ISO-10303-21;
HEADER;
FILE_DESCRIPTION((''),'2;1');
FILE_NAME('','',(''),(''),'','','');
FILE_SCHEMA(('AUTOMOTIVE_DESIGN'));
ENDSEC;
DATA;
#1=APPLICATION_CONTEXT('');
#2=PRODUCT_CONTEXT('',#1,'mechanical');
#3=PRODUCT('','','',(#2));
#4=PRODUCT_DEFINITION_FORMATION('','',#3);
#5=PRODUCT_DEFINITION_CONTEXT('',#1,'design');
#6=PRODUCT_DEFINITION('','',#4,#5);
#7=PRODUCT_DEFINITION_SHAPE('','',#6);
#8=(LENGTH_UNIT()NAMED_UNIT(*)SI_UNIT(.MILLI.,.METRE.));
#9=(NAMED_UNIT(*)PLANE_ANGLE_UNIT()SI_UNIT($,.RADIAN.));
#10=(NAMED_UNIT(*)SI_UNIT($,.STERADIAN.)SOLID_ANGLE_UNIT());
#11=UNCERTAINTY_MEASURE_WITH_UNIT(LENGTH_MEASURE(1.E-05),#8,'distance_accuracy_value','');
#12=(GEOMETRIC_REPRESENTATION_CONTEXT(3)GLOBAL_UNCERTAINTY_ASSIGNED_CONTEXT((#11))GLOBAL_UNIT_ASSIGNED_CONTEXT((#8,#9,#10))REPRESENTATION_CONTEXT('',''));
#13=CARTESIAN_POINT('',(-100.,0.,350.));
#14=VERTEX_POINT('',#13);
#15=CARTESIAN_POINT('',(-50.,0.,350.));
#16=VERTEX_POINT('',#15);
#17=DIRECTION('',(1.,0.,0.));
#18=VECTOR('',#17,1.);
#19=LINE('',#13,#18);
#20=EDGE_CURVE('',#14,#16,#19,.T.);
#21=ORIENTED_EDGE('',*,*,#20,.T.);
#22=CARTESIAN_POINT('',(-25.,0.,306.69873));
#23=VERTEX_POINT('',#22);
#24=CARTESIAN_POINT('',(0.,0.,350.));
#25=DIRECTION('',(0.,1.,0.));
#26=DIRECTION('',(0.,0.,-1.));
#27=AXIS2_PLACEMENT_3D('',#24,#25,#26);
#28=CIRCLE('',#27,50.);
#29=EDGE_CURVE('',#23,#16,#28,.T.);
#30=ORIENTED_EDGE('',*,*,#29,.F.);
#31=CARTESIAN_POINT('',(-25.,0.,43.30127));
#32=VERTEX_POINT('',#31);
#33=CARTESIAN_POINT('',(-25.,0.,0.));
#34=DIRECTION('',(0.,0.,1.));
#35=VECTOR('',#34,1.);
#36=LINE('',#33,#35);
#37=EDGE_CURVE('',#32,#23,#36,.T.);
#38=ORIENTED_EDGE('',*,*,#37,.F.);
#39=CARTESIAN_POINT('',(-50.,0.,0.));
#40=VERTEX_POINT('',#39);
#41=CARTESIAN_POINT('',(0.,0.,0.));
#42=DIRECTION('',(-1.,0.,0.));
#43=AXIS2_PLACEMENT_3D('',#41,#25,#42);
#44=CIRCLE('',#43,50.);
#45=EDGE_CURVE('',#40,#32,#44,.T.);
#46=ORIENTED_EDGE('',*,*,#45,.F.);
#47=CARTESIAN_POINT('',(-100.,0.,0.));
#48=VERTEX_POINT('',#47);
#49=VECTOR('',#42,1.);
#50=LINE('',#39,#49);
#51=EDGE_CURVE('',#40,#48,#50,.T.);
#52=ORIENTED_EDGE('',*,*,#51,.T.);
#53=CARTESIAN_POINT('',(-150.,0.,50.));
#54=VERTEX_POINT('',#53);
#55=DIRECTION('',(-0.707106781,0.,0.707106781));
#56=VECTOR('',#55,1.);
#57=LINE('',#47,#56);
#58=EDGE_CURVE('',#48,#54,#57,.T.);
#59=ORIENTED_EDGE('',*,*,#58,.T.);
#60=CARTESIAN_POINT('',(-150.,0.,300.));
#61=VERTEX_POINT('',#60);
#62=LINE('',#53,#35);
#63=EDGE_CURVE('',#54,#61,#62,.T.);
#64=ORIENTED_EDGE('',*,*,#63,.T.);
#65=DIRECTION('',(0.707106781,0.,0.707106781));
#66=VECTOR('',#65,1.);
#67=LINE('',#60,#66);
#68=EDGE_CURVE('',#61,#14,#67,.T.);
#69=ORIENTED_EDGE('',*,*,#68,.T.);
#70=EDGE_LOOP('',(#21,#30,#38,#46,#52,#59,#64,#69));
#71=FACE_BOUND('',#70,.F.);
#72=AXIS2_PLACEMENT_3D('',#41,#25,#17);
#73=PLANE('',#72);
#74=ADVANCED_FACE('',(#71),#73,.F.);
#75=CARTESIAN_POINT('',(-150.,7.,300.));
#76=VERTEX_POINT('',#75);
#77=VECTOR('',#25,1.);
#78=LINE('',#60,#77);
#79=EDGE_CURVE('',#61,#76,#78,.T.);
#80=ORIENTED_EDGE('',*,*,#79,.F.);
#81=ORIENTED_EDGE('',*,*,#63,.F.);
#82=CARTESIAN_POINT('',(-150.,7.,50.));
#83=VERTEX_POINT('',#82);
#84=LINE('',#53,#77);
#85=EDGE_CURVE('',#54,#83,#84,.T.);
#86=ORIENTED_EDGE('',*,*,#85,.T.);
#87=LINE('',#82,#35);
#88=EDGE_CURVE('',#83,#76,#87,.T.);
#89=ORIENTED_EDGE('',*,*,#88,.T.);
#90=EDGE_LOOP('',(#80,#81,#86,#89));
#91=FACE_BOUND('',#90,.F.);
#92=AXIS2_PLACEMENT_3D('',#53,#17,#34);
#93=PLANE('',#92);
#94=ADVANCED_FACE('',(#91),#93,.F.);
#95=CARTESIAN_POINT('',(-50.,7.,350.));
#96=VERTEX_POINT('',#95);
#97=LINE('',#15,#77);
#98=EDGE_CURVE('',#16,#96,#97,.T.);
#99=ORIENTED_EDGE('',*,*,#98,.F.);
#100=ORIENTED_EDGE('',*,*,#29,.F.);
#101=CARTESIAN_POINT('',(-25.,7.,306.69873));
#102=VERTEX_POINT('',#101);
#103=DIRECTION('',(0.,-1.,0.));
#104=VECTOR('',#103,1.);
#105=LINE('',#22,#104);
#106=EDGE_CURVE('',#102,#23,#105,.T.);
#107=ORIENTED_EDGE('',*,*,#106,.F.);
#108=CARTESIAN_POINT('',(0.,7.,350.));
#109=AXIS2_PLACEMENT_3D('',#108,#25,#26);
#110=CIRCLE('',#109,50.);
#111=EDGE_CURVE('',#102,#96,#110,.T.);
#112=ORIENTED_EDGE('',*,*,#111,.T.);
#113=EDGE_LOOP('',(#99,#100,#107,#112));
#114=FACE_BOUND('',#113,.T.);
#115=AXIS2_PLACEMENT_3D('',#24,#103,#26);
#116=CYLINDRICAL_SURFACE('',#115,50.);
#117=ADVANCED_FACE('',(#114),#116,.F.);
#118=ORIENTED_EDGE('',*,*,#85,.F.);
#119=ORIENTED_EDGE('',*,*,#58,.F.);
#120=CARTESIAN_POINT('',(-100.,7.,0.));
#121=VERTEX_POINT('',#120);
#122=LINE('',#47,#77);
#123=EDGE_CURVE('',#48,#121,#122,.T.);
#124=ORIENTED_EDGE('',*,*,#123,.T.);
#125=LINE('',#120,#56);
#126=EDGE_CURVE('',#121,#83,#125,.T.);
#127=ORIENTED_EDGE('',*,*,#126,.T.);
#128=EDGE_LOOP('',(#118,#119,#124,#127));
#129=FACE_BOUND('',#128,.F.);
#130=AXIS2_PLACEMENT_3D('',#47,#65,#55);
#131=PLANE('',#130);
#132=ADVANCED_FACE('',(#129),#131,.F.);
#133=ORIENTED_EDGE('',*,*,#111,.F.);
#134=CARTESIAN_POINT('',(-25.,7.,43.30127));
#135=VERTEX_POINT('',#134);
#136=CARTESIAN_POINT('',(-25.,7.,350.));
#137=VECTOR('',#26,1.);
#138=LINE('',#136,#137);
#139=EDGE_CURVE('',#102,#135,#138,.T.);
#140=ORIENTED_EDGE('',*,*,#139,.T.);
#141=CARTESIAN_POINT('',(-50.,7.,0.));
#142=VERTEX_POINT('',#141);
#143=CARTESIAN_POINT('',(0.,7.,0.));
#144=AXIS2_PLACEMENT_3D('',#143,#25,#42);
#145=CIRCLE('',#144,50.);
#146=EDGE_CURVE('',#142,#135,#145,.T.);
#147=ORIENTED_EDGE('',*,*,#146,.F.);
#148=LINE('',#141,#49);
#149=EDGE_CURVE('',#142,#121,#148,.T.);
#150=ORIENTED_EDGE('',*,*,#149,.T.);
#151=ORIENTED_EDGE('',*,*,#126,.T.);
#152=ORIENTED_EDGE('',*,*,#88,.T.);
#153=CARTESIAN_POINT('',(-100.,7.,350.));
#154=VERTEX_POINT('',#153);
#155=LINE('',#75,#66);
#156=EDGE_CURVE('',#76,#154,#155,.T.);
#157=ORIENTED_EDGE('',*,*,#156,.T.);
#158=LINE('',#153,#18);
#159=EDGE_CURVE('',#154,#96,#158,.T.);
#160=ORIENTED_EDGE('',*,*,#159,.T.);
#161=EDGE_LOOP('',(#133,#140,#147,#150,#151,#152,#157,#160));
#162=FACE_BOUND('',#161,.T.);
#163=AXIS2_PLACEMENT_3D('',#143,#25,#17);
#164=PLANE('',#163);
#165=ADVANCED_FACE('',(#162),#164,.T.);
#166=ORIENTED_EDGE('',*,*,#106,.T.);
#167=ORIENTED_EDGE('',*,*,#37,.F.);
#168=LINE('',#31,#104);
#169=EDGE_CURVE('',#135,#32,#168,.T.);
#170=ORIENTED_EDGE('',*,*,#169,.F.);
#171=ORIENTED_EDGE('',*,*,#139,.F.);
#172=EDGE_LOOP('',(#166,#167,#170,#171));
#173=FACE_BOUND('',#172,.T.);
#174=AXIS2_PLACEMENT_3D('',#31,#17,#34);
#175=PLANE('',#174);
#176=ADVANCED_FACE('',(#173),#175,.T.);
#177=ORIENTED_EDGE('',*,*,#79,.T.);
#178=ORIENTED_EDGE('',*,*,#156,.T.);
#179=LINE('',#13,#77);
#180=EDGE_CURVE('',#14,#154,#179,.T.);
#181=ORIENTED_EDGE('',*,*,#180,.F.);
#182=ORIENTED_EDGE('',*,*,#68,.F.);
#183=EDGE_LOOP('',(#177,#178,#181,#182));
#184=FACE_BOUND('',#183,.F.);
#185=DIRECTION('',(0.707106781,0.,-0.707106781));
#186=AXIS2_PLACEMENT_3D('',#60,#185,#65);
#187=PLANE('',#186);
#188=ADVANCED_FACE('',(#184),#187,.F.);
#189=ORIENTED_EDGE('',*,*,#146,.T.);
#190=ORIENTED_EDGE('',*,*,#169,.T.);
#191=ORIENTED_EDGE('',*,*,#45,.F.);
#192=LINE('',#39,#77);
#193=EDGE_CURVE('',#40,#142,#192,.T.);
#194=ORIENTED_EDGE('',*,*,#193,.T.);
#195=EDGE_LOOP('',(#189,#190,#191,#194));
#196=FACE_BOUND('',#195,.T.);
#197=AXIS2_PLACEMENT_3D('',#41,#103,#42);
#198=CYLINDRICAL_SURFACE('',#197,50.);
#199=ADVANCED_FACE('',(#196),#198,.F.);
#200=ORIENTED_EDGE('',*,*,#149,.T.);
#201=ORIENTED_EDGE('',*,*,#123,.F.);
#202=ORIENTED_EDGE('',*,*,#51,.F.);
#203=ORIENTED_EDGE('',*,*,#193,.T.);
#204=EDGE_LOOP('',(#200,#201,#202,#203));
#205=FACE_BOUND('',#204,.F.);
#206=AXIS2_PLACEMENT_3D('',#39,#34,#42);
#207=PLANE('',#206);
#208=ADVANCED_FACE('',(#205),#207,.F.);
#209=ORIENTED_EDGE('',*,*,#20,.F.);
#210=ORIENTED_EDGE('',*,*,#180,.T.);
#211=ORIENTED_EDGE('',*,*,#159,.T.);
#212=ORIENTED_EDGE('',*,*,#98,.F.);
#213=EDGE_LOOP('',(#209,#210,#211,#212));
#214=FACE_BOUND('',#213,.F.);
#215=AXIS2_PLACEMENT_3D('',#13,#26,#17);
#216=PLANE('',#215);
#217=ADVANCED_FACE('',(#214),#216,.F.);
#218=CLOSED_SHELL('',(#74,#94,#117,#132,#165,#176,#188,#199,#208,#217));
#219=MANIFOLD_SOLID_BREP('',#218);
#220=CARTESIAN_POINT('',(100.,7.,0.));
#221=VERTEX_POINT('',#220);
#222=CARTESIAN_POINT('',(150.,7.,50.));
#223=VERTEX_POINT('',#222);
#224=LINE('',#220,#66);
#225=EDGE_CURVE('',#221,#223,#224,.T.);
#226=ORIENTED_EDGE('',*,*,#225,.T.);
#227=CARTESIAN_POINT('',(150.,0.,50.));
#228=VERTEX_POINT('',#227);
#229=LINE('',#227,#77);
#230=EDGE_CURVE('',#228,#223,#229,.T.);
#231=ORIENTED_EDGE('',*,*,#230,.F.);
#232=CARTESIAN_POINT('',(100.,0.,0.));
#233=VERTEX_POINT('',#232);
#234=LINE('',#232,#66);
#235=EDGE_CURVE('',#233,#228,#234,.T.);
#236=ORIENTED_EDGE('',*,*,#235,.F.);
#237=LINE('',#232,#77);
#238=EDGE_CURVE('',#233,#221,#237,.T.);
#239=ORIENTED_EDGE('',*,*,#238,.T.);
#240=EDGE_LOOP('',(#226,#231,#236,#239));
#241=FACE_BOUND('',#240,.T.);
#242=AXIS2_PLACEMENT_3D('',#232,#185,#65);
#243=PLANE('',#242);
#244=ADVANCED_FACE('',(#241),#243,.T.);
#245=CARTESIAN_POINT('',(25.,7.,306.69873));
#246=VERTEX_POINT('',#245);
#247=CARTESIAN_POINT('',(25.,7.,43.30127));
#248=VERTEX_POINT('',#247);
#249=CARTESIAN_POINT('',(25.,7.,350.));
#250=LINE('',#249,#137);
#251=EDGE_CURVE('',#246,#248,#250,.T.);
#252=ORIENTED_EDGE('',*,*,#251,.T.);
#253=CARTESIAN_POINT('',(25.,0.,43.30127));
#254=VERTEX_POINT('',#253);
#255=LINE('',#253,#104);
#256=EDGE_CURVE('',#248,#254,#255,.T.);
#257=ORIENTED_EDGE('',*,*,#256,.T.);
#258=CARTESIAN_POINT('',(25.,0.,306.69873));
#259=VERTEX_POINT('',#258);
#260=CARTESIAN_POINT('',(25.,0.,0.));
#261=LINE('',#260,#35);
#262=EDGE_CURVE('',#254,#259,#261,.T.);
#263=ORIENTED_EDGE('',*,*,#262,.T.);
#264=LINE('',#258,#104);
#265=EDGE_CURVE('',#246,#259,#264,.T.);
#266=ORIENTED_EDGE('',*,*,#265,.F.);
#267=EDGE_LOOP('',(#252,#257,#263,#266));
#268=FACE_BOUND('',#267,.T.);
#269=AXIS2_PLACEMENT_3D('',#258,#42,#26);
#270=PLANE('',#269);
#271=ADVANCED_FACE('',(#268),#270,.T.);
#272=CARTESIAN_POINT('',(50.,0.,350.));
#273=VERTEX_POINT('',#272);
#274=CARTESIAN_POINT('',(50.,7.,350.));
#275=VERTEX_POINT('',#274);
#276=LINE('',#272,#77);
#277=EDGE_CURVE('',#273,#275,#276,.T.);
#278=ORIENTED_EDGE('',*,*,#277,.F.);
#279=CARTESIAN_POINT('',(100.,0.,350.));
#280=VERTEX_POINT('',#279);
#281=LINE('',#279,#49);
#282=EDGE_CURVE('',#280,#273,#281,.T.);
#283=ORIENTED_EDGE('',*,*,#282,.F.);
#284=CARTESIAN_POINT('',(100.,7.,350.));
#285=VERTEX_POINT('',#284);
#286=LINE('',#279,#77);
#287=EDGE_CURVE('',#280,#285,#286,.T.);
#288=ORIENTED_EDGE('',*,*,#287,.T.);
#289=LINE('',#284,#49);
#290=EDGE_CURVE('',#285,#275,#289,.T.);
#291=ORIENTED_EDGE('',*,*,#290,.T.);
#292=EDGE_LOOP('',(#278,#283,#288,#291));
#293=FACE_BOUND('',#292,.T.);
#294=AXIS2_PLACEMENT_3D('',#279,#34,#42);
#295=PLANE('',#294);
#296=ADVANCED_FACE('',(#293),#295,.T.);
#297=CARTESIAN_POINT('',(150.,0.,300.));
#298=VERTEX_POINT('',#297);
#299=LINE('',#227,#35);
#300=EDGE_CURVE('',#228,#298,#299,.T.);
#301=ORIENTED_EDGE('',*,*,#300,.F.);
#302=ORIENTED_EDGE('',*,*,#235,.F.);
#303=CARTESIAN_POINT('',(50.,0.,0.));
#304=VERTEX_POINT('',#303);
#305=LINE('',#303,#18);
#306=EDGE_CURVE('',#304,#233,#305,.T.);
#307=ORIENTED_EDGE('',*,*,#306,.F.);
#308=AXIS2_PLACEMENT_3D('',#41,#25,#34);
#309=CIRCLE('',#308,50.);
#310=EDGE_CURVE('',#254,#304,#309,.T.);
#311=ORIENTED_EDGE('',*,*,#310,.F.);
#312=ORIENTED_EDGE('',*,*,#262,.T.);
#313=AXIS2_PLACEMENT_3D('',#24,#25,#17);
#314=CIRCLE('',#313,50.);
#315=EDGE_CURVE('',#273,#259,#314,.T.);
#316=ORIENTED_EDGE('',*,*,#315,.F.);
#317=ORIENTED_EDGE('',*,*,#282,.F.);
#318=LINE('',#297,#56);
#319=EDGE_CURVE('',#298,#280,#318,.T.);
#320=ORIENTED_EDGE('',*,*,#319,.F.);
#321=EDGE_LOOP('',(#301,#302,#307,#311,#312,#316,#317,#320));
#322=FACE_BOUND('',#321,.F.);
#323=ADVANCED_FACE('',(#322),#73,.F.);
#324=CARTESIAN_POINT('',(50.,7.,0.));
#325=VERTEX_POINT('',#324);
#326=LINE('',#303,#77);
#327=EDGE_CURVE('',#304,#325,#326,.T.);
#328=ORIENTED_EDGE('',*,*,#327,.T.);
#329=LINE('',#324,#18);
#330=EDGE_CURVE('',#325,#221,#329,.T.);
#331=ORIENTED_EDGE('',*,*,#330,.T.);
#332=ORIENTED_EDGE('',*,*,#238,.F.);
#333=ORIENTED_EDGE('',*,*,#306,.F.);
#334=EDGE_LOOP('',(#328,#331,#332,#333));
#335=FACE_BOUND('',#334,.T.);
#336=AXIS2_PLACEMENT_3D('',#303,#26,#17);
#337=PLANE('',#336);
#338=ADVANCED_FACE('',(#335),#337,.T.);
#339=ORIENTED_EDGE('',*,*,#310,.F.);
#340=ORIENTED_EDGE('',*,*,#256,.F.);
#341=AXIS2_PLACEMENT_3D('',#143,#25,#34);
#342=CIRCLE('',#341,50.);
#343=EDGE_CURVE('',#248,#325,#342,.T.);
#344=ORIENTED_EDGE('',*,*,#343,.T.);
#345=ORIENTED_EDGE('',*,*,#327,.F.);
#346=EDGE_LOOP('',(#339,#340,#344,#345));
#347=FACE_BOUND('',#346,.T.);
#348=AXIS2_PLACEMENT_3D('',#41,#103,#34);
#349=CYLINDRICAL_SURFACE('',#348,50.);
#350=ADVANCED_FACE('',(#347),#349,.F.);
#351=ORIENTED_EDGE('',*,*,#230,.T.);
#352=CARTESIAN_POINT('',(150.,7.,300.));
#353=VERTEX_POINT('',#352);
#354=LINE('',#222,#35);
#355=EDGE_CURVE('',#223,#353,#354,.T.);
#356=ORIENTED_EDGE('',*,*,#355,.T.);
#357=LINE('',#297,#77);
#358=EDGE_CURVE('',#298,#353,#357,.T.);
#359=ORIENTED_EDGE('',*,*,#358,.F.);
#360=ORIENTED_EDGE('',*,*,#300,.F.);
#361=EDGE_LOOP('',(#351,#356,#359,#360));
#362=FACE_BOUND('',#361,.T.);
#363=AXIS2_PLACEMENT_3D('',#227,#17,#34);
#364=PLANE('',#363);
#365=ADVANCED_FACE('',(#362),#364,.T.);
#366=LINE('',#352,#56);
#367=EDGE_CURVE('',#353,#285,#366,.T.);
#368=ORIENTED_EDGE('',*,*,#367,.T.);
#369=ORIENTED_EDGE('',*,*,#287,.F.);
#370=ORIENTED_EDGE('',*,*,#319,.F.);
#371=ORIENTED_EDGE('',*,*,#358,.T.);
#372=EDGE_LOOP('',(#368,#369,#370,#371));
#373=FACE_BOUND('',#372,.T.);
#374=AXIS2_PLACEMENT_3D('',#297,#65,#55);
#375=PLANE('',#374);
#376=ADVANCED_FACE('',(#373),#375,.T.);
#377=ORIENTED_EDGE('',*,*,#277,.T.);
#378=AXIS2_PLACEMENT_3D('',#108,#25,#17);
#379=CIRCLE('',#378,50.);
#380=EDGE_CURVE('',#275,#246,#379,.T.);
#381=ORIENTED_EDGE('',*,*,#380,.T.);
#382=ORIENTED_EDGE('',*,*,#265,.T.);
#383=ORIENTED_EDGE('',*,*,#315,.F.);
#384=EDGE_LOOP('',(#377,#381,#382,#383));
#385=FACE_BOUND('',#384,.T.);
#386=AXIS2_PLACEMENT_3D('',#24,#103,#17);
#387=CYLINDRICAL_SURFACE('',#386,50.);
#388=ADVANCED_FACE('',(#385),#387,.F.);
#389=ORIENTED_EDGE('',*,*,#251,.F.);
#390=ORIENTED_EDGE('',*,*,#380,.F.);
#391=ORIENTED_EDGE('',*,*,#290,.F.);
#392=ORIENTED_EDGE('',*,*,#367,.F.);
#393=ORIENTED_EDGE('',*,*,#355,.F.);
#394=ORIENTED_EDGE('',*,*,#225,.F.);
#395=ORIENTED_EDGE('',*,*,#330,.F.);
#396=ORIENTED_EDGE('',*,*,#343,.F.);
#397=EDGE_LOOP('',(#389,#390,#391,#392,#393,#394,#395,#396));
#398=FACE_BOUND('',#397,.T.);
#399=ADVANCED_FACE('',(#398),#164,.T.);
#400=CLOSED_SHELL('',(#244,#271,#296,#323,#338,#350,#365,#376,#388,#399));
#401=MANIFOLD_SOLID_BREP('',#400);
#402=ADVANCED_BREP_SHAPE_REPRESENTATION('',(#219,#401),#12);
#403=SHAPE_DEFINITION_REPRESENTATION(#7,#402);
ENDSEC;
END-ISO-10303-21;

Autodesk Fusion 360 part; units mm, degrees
sketch "Sketch1" plane through (0, 0, 0) normal (0, 1, 0) x (1, 0, 0)
  line L0 (-50, 0) -> (-100, 0)
  line L1 (-150, -300) -> (-100, -350)
  arc A0 (50, -350) -> (0, -300) centre (0, -350) ccw
  arc A1 (0, -300) -> (-50, -350) centre (0, -350) ccw
  line L2 (100, 0) -> (150, -50)
  line L3 (-100, -350) -> (-50, -350)
  line L4 (-150, -50) -> (-150, -300)
  line L5 (150, -50) -> (150, -300)
  line L6 (-100, 0) -> (-150, -50)
  line L7 (100, -350) -> (50, -350)
  line L8 (50, 0) -> (100, 0)
  line L9 (150, -300) -> (100, -350)
  arc A2 (-50, 0) -> (0, -50) centre (0, 0) ccw
  arc A3 (0, -50) -> (50, 0) centre (0, 0) ccw
  point P0 (0, -175)
  dimension "d1" = 100
  dimension "d2" = 50
  dimension "d3" = 250
  dimension "d4" = 100
extrude "Extrude1" add sketch "Sketch1" along normal blind 7 makes body 1
sketch "Sketch2" plane through (0, 0, 0) normal (0, -1, 0) x (1, 0, 0)
  line L0 (-100, 0) -> (-50, 0)
  arc A0 (50, 0) -> (-50, 0) centre (0, 0) ccw
  line L1 (50, 0) -> (100, 0)
  line L2 (100, 0) -> (150, 50)
  line L3 (150, 50) -> (150, 300)
  line L4 (150, 300) -> (100, 350)
  line L5 (100, 350) -> (50, 350)
  arc A1 (-50, 350) -> (50, 350) centre (0, 350) ccw
  line L6 (-50, 350) -> (-100, 350)
  line L7 (-100, 350) -> (-150, 300)
  line L8 (-150, 300) -> (-150, 50)
  line L9 (-150, 50) -> (-100, 0)
  line L10 (-25, 350) -> (25, 350)
  line L11 (25, 350) -> (25, 0)
  line L12 (25, 0) -> (-25, 0)
  line L13 (-25, 0) -> (-25, 350)
  line L14 (-25, 350) -> (25, 0) construction
  line L15 (25, 350) -> (-25, 0) construction
  point P0 (0, 175)
  point P1 (0, 175)
  dimension "d10" = 50
  dimension "d11" = 350
extrude "Extrude2" cut sketch "Sketch2" against normal blind 7 contours A0 A1 L11 L13 | A0 L11 L12 L13 | A1 L10 L11 L13 bodies 1 makes body 2 at (66.6667, 7, 216.6667)
sketch "Sketch3" plane through (0, 0, 350) normal (0, 0, 1) x (-1, 0, 0)
  line L0 (-50, 0) -> (-100, 0)
  line L1 (-100, 0) -> (-100, -7)
  line L2 (-100, -7) -> (-50, -7)
  line L3 (-50, -7) -> (-50, 0)
  line L4 (-50, -3.5) -> (50, -3.5)
  point P0 (0, -3.5)
sketch "Sketch4" plane through (0, 0, 0) normal (1, 0, 0) x (0, 1, 0)
  line L0 (3.5, 350) -> (-50.9682, 342.3702) construction
  line L1 (3.5, 350) -> (58.5, 350) construction
  point P0 (3.5, 350)
  dimension "d15" = 172.026
  dimension "d16" = 55
ref_plane "WorkPlane1" through (0, -23.7341, 346.1851) normal (0, -0.1387, 0.9903) x (0, -0.9903, -0.1387)
sketch "Sketch5" plane through (0, 0, 0) normal (0, 1, 0) x (1, 0, 0)
chamfer "Chamfer1" [suppressed]
equation "d15 = 180 deg - 7.974 deg"
